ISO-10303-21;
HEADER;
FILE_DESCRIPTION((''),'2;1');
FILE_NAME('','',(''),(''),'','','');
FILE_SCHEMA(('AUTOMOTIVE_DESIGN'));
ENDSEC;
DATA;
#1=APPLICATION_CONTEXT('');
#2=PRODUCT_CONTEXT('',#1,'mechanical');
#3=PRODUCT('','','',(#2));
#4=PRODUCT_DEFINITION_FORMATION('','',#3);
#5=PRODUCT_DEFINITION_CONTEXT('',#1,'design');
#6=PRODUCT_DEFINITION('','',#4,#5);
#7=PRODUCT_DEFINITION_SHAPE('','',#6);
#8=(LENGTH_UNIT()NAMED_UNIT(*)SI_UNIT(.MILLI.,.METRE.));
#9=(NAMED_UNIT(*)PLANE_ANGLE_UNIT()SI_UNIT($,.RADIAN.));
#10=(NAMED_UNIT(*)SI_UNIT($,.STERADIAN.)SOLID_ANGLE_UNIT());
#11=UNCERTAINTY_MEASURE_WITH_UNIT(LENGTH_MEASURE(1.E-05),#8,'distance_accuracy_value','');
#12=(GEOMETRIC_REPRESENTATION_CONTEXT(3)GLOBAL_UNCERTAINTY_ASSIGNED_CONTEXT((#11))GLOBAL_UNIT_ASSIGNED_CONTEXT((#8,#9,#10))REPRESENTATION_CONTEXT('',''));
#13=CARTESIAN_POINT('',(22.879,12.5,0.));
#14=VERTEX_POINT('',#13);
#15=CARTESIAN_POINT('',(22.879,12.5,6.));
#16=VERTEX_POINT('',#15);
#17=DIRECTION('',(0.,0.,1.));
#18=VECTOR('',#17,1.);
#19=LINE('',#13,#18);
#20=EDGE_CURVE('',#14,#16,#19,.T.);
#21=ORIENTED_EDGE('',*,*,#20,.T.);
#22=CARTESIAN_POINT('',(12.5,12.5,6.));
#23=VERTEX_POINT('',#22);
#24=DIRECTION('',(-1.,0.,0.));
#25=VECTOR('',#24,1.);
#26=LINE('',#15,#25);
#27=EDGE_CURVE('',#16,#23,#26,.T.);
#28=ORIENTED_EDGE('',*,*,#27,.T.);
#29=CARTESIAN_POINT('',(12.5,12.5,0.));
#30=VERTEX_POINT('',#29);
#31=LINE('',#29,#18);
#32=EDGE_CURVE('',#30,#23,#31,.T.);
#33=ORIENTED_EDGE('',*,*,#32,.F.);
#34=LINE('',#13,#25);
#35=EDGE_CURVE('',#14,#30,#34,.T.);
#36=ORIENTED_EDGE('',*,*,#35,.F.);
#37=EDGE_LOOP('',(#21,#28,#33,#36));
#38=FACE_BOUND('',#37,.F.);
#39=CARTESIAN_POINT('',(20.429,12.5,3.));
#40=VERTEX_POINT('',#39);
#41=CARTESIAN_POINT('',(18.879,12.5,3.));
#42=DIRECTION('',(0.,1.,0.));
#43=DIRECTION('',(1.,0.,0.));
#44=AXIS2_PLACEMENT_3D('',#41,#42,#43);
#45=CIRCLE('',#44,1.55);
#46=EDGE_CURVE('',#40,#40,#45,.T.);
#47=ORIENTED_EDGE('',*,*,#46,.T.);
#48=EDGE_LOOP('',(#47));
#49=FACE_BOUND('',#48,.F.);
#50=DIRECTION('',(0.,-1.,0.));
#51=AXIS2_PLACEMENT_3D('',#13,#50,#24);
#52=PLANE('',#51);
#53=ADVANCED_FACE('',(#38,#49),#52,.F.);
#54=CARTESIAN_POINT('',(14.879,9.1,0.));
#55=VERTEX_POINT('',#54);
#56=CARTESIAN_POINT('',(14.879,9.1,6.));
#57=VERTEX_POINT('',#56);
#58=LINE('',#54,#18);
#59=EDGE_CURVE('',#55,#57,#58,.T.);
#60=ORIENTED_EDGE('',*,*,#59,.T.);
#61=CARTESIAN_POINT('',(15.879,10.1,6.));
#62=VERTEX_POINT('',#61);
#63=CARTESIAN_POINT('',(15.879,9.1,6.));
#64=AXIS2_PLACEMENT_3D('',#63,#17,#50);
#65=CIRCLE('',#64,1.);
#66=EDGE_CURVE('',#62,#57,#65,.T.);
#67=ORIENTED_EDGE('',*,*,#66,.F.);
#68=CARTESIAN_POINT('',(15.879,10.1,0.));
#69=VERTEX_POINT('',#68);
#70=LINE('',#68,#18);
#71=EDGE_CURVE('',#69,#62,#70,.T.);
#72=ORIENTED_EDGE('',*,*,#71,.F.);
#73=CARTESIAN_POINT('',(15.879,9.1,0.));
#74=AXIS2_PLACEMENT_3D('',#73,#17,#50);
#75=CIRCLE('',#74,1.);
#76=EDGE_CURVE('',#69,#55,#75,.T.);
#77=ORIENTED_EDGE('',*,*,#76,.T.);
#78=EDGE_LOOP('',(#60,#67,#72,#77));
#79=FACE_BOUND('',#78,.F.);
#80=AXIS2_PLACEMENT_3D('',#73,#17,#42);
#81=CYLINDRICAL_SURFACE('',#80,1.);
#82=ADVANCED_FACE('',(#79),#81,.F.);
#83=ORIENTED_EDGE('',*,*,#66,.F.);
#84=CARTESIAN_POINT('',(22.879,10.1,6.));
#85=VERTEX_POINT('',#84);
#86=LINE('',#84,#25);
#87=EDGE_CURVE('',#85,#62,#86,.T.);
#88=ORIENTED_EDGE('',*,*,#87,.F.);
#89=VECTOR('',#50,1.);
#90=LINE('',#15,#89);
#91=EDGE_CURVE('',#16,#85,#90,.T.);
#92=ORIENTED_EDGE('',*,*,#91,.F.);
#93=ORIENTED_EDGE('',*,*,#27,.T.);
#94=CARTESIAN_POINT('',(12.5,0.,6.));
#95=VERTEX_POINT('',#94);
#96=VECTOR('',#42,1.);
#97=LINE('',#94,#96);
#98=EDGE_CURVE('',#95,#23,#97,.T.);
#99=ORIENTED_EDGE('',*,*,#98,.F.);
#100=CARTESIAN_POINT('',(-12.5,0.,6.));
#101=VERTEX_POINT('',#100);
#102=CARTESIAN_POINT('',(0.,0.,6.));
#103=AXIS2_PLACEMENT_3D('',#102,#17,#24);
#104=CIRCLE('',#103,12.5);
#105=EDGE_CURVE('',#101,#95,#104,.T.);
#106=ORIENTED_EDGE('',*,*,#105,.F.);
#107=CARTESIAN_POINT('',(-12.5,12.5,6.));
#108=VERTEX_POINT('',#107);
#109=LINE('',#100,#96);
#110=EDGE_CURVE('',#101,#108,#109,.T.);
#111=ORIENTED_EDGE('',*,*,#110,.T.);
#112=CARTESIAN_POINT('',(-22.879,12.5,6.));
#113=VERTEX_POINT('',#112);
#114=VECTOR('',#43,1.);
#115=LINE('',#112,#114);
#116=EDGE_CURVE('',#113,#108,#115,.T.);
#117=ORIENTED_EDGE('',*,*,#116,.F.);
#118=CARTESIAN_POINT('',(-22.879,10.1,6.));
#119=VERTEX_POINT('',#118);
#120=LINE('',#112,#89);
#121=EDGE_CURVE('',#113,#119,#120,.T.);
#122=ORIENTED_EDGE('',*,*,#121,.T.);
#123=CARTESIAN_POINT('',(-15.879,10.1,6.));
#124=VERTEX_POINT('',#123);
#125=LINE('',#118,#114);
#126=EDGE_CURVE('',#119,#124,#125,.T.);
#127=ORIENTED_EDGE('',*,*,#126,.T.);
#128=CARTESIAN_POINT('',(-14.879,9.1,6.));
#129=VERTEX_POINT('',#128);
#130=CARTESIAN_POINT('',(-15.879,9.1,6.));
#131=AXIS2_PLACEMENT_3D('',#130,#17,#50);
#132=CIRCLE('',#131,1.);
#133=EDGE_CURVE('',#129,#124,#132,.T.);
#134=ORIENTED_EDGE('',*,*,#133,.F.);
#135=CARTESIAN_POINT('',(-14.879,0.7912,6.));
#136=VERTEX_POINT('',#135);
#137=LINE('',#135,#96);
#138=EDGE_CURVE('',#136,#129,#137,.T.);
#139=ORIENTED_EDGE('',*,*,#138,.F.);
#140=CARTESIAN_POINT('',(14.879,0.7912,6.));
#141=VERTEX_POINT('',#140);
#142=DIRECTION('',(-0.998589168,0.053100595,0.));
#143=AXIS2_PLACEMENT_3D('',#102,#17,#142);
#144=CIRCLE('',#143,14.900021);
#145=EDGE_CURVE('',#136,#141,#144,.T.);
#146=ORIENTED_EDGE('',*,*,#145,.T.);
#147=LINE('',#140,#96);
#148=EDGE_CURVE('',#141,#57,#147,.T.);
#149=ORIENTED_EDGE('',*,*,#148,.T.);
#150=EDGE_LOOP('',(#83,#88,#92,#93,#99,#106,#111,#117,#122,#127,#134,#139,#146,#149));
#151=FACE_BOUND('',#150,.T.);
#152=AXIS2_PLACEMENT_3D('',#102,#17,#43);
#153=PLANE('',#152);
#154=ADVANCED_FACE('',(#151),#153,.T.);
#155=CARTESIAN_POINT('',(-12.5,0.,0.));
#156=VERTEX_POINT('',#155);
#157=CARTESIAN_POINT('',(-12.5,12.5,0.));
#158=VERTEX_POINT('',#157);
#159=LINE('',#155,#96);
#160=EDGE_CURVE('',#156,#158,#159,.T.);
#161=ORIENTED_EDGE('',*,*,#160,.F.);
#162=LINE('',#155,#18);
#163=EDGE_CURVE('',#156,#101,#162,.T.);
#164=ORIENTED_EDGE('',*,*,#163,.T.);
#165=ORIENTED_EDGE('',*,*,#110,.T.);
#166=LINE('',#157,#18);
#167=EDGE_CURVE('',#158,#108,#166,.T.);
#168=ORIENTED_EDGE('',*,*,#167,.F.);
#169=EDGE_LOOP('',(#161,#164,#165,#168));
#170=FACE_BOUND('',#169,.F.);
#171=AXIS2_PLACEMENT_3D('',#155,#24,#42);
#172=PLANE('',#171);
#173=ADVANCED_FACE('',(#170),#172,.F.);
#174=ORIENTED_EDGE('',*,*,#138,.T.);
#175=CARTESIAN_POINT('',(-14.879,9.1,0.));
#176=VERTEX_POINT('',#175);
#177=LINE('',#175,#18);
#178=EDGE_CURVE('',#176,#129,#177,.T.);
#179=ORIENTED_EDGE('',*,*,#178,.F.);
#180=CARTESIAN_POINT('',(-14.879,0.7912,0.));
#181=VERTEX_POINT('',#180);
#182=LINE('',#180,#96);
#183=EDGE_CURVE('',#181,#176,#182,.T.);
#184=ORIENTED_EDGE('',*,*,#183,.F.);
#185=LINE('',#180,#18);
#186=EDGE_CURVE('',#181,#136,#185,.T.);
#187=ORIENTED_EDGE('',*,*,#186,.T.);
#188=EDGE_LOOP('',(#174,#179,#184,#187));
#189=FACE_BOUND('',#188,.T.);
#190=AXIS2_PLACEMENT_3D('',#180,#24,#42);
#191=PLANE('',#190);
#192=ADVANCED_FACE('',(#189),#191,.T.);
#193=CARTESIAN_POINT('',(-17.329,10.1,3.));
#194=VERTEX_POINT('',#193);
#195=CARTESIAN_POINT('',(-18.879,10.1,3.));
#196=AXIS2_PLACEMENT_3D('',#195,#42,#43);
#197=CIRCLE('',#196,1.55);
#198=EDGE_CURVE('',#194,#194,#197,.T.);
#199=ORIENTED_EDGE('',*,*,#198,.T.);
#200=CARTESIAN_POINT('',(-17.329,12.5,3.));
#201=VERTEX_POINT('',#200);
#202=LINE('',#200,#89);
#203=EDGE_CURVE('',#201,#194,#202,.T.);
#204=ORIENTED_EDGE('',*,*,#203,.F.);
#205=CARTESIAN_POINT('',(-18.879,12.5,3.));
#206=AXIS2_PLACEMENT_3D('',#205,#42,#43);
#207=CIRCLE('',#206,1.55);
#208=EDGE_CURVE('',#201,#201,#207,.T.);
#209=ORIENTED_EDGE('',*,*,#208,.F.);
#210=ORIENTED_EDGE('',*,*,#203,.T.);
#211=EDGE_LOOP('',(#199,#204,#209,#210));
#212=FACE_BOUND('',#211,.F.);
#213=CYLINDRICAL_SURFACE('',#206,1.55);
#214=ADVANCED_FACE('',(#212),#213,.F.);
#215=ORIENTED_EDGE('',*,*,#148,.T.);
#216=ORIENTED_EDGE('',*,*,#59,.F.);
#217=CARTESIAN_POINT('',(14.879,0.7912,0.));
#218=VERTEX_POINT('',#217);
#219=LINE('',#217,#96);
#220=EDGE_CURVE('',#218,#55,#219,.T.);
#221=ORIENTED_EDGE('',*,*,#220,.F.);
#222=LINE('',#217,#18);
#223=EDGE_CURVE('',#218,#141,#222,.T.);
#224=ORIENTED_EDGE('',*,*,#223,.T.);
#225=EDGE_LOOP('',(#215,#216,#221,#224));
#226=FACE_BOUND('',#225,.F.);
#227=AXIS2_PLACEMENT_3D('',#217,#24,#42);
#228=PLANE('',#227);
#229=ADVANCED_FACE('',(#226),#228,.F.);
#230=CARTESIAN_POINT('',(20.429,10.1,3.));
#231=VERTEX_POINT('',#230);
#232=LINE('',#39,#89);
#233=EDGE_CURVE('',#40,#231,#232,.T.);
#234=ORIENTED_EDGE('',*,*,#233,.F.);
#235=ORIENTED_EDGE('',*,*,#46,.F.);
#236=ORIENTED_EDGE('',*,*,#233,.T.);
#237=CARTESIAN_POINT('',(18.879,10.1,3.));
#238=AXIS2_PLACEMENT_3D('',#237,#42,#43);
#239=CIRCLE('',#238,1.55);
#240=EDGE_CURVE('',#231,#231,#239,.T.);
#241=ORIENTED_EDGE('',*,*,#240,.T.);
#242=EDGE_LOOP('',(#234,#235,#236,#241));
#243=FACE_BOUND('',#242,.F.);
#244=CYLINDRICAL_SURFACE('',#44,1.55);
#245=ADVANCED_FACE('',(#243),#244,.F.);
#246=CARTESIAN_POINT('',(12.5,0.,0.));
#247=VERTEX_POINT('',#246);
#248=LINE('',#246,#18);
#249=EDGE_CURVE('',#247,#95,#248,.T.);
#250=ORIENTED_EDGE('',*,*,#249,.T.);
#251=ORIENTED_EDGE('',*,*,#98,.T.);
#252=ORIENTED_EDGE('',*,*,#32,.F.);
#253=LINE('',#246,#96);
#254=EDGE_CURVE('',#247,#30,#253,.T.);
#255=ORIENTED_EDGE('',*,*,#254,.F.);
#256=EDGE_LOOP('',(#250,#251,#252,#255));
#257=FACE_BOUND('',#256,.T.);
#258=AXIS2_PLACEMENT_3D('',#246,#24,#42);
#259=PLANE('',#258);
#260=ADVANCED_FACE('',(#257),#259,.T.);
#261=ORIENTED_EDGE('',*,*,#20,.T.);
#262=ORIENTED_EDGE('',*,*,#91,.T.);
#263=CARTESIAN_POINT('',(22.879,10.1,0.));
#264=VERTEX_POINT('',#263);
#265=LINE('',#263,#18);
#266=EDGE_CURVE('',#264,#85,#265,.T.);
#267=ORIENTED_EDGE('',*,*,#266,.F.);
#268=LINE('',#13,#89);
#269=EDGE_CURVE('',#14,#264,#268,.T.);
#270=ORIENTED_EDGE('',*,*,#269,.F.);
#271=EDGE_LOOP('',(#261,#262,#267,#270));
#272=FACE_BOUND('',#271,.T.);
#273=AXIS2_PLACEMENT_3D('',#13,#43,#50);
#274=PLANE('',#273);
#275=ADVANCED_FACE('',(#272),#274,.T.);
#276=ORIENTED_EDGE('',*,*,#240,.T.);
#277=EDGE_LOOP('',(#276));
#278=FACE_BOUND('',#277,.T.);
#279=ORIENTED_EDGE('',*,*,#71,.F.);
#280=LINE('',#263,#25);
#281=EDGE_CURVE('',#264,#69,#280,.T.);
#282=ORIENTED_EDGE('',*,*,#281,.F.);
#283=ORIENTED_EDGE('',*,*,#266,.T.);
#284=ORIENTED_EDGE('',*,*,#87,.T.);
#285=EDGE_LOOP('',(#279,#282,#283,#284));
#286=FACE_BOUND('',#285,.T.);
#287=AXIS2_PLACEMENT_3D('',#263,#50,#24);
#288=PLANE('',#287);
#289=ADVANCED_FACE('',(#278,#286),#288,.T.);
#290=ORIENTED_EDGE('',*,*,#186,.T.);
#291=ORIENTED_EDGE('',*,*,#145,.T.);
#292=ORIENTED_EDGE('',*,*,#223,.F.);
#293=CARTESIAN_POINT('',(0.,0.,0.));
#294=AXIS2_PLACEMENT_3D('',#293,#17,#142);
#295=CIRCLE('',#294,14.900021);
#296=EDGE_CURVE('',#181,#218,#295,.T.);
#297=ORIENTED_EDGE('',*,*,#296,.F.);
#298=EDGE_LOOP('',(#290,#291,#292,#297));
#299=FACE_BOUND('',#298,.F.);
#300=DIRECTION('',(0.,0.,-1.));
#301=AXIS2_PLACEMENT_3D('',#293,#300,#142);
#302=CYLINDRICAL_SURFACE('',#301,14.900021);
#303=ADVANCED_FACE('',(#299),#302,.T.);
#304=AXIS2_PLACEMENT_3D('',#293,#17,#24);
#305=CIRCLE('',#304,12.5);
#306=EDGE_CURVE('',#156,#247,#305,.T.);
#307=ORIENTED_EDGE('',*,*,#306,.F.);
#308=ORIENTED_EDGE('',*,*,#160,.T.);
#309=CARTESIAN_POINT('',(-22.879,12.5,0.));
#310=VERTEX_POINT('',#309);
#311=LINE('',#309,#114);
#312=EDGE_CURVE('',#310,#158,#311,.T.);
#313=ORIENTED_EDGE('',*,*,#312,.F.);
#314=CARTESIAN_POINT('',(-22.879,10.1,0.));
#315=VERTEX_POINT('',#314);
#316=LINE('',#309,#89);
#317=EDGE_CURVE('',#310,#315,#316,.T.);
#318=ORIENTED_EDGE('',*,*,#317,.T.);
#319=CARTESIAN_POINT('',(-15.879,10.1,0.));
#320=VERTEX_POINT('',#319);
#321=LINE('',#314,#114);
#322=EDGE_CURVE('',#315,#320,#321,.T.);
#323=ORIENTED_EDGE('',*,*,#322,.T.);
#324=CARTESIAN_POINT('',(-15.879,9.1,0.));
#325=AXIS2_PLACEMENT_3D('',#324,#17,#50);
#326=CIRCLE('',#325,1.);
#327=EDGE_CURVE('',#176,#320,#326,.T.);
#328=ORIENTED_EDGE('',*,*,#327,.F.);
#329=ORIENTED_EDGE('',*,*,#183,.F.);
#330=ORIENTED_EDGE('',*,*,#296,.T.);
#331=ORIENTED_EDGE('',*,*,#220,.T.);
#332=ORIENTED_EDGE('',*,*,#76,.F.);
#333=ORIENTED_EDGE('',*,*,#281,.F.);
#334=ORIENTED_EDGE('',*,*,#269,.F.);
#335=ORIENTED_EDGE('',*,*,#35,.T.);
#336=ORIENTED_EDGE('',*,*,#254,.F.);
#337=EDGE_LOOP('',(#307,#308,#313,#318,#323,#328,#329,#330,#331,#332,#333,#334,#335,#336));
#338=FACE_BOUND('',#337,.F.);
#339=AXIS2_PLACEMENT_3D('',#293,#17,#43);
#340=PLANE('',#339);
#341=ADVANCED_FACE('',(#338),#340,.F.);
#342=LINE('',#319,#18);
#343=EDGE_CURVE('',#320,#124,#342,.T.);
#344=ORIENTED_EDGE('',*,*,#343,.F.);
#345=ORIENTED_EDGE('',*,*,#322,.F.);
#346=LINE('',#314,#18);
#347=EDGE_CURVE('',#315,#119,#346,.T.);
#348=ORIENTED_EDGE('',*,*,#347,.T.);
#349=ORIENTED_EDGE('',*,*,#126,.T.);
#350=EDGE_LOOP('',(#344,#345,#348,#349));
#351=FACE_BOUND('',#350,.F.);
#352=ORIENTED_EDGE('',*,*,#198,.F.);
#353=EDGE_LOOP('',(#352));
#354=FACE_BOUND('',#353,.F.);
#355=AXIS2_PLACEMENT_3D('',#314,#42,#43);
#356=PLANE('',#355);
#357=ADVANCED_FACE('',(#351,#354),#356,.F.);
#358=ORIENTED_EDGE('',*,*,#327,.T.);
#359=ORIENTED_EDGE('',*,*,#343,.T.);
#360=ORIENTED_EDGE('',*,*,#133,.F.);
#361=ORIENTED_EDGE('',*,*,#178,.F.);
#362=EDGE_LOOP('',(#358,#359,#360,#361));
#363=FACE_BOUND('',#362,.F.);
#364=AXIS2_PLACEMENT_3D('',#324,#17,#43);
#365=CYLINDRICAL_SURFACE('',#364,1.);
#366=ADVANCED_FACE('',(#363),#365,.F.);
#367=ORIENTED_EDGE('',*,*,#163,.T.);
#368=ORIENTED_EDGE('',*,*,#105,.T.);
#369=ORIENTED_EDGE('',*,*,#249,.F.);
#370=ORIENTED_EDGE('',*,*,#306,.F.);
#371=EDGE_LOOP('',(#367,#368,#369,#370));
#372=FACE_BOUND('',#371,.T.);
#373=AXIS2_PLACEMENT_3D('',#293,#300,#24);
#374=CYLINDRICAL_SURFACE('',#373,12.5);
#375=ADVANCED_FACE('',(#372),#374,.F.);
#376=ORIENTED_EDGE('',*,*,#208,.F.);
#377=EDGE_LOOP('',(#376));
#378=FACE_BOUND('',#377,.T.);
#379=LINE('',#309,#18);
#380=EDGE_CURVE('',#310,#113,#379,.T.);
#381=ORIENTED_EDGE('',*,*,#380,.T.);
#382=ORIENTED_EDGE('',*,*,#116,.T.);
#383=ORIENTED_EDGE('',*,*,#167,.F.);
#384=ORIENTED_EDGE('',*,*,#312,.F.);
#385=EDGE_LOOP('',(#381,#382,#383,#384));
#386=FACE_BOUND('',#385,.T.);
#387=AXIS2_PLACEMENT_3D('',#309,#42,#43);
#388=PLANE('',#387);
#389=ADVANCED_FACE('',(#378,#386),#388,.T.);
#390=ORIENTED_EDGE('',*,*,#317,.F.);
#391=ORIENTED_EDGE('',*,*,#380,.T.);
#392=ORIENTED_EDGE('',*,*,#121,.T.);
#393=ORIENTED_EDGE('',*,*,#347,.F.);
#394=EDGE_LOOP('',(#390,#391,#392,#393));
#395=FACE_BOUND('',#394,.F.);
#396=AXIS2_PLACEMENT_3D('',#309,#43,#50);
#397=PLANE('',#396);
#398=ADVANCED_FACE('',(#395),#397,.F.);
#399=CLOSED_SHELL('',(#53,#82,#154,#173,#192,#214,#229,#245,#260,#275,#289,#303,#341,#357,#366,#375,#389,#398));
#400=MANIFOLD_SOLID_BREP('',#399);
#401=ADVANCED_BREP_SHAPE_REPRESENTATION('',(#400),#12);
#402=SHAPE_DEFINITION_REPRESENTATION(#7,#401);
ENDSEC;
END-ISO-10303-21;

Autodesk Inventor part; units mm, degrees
ref_plane "YZ Plane" through (0, 0, 0) normal (1, 0, 0) x (0, 1, 0)
ref_plane "XZ Plane" through (0, 0, 0) normal (0, 1, 0) x (-1, 0, 0)
ref_plane "XY Plane" through (0, 0, 0) normal (0, 0, 1) x (1, 0, 0)
sketch "Sketch1" plane through (0, 0, 0) normal (0, 0, 1) x (1, 0, 0)
  arc A0 (-12.5, 0) -> (12.5, 0) centre (0, 0) ccw
  line L0 (-12.5, 0) -> (-12.5, 12.5)
  line L1 (12.5, 0) -> (12.5, 12.5)
  arc A1 (-14.879, 0.7912) -> (14.879, 0.7912) centre (0, 0) ccw
  line L2 (-14.879, 0.7912) -> (-14.879, 10.1)
  line L3 (14.879, 0.7912) -> (14.879, 10.1)
  line L4 (-22.879, 12.5) -> (-22.879, 10.1)
  line L5 (-22.879, 10.1) -> (-14.879, 10.1)
  line L6 (-22.879, 12.5) -> (-12.5, 12.5)
  line L7 (22.879, 12.5) -> (22.879, 10.1)
  line L8 (22.879, 10.1) -> (14.879, 10.1)
  line L9 (22.879, 12.5) -> (12.5, 12.5)
extrude "Extrusion1" add sketch "Sketch1" along normal blind 6
sketch "Sketch2" plane through (12.5, 12.5, 0) normal (0, 1, 0) x (1, 0, 0)
  line L0 (-35.379, 0) -> (-35.379, -6) projected
  circle A0 centre (-31.379, -3) radius 1.55
  circle A1 centre (6.379, -3) radius 1.55
  line L1 (10.379, 0) -> (10.379, -6) projected
  point P0 (-12.5, 0)
  dimension "d16" = 3.1
extrude "Extrusion2" cut sketch "Sketch2" against normal blind 10
fillet "Fillet1" radius 1 1 edges at (14.879, 10.1, 3)
fillet "Fillet2" radius 1 1 edges at (-14.879, 10.1, 3)
properties part number "motor_support"
